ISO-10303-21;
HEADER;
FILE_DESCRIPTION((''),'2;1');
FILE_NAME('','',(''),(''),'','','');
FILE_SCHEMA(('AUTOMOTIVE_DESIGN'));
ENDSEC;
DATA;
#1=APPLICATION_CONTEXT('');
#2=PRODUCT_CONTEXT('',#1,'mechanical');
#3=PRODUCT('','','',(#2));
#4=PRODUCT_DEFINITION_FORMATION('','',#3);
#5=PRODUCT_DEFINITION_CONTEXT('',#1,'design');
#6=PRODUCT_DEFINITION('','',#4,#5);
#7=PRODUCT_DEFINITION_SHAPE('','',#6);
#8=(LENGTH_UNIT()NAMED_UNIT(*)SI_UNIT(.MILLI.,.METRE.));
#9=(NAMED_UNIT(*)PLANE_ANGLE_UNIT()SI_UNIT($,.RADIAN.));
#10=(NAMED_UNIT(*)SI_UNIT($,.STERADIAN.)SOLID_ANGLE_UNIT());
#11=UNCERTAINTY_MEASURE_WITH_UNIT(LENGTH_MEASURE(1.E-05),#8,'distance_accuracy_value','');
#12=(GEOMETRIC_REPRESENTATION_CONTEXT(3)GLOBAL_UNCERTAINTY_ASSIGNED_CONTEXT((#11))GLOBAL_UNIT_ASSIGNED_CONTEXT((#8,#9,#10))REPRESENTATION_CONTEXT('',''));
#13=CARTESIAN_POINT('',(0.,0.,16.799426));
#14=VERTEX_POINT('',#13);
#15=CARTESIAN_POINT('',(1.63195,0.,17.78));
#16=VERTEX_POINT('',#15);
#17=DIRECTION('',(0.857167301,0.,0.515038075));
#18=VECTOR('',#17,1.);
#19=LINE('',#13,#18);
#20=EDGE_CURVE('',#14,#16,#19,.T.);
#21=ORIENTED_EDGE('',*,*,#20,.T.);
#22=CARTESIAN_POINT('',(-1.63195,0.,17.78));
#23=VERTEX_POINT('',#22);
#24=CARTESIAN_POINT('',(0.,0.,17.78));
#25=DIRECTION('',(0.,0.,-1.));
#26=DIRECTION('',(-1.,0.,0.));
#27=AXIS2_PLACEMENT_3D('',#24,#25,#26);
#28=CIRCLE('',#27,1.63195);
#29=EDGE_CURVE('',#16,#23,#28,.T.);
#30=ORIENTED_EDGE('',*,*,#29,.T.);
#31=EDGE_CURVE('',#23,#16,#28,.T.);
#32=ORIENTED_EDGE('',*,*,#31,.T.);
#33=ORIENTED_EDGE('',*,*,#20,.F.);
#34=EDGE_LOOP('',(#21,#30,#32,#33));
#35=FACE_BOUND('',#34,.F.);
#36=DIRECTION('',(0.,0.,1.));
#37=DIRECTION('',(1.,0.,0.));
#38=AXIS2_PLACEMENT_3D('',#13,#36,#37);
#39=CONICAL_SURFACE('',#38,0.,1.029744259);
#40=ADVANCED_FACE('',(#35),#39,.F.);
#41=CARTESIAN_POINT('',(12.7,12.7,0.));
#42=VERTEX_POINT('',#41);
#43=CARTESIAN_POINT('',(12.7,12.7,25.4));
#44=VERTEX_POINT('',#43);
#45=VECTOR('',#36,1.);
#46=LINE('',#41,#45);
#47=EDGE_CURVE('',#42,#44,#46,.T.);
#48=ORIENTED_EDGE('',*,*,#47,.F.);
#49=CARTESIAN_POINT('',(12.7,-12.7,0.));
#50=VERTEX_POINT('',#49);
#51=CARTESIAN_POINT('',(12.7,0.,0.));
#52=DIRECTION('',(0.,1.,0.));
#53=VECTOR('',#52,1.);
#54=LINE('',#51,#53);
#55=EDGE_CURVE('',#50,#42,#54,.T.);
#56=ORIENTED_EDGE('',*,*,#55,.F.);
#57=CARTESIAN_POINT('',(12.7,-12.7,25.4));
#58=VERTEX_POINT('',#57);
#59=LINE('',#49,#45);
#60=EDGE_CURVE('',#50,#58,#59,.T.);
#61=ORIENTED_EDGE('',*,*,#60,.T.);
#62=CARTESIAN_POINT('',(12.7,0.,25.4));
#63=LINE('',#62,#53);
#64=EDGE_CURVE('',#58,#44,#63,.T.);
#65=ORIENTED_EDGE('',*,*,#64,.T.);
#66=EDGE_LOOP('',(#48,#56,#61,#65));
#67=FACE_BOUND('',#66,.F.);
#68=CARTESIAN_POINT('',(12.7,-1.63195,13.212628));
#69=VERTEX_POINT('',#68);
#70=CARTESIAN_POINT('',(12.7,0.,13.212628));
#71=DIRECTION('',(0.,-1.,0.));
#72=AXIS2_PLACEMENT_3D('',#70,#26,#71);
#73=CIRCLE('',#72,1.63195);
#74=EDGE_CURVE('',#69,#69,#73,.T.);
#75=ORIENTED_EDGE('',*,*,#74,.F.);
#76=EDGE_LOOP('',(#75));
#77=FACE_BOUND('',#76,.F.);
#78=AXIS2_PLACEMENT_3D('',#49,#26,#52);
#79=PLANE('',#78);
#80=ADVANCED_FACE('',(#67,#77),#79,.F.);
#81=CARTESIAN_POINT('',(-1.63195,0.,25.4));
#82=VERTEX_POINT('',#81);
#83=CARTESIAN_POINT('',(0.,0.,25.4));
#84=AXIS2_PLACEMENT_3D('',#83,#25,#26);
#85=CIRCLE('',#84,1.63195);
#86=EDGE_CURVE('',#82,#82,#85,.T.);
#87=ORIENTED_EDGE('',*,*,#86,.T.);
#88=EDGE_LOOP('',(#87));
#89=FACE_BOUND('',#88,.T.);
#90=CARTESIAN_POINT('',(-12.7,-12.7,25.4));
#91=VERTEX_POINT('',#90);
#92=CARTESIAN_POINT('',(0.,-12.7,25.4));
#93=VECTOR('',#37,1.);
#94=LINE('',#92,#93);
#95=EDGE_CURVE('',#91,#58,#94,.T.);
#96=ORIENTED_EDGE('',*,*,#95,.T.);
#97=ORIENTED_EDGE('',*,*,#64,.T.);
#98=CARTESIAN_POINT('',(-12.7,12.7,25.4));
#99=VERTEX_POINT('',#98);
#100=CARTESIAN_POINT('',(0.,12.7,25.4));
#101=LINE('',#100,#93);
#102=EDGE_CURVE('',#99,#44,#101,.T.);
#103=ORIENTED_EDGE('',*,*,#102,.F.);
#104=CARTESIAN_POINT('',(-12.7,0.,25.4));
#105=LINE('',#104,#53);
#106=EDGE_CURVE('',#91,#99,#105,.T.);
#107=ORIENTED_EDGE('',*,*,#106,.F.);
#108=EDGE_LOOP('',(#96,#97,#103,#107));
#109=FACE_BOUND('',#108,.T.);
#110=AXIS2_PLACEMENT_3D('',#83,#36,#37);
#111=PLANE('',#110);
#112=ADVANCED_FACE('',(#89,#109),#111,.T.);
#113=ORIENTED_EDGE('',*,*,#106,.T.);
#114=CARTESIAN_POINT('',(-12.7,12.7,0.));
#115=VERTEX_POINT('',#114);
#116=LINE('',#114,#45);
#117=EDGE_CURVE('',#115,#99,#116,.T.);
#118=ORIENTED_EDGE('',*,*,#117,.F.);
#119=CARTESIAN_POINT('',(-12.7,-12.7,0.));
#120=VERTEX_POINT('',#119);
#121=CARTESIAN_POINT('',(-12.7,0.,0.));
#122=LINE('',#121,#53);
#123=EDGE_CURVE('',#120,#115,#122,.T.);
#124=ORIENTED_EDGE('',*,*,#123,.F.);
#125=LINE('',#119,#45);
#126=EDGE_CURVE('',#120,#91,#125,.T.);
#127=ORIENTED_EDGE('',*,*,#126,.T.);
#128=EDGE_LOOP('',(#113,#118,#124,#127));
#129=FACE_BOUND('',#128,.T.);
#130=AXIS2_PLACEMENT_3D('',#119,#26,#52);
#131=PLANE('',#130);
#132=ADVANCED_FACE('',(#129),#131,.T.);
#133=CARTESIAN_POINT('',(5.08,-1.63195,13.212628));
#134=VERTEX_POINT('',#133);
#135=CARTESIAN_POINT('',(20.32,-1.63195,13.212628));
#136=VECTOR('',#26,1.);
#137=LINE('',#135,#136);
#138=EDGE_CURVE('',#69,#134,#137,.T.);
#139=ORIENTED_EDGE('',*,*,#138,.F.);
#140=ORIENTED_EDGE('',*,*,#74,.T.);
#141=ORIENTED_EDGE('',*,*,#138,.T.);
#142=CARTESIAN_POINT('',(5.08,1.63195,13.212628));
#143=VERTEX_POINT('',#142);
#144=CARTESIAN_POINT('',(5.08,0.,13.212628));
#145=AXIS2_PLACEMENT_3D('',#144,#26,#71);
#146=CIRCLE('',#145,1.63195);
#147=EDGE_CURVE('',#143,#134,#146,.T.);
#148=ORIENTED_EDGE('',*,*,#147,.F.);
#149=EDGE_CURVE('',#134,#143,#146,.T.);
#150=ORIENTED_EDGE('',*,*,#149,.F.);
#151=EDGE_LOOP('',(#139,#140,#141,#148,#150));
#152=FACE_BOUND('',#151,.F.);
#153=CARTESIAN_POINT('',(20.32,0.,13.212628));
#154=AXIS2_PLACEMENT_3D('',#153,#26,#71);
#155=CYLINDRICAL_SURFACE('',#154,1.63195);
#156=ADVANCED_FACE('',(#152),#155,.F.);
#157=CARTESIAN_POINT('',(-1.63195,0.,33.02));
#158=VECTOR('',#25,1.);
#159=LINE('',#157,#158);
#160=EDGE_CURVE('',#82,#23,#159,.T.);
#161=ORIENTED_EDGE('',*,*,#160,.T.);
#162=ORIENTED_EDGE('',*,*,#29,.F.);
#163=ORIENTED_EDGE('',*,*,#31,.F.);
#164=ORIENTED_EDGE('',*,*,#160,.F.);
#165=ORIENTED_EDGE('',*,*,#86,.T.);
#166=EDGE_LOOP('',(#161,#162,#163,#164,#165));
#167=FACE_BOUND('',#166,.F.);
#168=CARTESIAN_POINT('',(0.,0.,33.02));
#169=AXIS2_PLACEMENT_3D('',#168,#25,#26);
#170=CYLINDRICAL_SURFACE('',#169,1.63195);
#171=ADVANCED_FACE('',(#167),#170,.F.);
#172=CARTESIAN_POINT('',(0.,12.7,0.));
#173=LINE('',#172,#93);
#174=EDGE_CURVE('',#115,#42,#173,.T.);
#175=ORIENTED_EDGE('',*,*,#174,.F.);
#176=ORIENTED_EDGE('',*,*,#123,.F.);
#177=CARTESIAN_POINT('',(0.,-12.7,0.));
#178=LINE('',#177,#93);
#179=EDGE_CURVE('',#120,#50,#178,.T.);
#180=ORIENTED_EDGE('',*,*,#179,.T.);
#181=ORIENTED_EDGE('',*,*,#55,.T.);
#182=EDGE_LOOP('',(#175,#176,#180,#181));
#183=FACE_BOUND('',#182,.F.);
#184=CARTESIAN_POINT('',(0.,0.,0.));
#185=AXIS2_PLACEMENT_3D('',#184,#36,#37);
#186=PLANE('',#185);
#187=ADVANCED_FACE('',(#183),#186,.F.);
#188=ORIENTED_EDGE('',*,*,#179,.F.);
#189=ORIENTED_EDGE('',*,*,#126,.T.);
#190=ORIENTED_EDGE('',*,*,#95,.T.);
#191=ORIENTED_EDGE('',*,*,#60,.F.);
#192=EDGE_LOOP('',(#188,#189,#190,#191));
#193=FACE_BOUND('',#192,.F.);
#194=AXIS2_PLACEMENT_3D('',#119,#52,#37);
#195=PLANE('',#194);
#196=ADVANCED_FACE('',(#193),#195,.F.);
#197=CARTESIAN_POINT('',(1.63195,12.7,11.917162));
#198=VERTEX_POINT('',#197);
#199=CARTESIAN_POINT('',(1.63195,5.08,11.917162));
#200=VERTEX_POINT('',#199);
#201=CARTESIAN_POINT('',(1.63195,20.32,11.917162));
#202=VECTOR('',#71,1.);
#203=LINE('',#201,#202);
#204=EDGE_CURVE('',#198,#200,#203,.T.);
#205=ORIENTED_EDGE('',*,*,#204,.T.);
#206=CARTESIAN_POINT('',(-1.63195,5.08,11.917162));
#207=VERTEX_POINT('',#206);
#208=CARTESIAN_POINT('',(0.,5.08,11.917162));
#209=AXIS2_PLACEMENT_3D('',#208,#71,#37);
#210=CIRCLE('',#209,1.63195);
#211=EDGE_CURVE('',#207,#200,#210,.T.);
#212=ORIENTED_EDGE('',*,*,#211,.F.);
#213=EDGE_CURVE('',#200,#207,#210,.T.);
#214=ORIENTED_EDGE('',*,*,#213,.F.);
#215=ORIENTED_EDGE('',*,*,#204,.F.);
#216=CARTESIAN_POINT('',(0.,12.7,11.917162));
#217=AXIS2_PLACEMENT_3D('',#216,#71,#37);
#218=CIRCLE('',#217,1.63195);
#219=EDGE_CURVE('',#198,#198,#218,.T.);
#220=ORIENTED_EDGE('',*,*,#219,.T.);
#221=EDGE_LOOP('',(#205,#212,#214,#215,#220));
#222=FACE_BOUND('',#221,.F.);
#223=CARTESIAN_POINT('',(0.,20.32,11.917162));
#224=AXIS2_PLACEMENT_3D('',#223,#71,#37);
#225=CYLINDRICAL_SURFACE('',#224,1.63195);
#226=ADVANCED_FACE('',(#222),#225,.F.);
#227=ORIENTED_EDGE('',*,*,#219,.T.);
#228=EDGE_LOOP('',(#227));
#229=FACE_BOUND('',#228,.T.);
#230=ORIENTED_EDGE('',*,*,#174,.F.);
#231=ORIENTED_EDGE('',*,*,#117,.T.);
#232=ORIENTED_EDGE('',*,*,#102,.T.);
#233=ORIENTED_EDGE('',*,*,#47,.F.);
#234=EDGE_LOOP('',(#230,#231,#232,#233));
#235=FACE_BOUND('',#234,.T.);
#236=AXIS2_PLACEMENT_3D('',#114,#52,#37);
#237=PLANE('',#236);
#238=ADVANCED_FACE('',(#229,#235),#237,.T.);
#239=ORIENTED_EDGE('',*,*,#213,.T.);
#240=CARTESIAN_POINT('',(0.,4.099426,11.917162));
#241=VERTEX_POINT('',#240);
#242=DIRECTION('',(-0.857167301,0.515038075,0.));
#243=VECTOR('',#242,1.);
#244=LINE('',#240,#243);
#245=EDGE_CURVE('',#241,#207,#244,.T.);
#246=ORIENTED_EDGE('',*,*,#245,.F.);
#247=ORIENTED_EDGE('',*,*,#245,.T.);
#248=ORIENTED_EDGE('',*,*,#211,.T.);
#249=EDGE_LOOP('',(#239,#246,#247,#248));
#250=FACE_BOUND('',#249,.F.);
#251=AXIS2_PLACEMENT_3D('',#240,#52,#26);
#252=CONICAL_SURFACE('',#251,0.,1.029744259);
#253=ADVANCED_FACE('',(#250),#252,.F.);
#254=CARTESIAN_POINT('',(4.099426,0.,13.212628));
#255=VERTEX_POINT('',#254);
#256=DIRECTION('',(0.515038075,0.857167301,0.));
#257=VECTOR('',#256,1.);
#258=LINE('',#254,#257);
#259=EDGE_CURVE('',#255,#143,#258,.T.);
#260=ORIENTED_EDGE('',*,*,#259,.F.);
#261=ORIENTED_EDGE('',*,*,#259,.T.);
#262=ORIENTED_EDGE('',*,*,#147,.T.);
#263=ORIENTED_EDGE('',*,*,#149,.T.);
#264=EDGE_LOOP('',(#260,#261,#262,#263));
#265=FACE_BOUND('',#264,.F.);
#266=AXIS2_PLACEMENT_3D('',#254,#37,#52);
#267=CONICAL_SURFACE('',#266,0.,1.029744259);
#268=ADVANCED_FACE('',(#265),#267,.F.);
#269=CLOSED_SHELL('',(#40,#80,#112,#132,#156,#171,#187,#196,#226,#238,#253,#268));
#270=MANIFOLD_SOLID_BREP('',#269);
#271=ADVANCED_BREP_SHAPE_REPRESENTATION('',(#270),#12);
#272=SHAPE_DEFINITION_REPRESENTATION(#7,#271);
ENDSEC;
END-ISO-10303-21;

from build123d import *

# Parameters (mm, degrees)
F0_W     = 25.4
F0_H     = 25.4
F1_DEPTH = 25.4
F5_D     = 3.2639
F5_DEPTH = 7.62
F5_TIP   = 0.9805744872
F6_D     = 3.2639
F6_DEPTH = 7.62
F6_TIP   = 0.9805744872
F7_D     = 3.2639
F7_DEPTH = 7.62
F7_TIP   = 0.9805744872


with BuildPart() as f1:
    # F0 (on Top) → F1 (new body)
    with BuildSketch(Plane.XY):
        Rectangle(F0_W, F0_H)
    extrude(amount=F1_DEPTH)

    # F5
    with Locations(Plane.XY.offset(25.4)):
        with Locations((0, 0)):
            Hole(F5_D / 2, depth=F5_DEPTH)
            with Locations((0, 0, -(F5_DEPTH + F5_TIP / 2))):  # 118° drill point
                Cone(0, F5_D / 2, F5_TIP, mode=Mode.SUBTRACT)

    # F6
    with Locations(Plane.YZ.offset(12.7)):
        with Locations((0, 13.2126277313)):
            Hole(F6_D / 2, depth=F6_DEPTH)
            with Locations((0, 0, -(F6_DEPTH + F6_TIP / 2))):  # 118° drill point
                Cone(0, F6_D / 2, F6_TIP, mode=Mode.SUBTRACT)

    # F7
    with Locations(Plane(origin=(0, 12.7, 0), x_dir=(-1, 0, 0), z_dir=(0, 1, 0))):
        with Locations((0, 11.9171617553)):
            Hole(F7_D / 2, depth=F7_DEPTH)
            with Locations((0, 0, -(F7_DEPTH + F7_TIP / 2))):  # 118° drill point
                Cone(0, F7_D / 2, F7_TIP, mode=Mode.SUBTRACT)


solid = f1.part
